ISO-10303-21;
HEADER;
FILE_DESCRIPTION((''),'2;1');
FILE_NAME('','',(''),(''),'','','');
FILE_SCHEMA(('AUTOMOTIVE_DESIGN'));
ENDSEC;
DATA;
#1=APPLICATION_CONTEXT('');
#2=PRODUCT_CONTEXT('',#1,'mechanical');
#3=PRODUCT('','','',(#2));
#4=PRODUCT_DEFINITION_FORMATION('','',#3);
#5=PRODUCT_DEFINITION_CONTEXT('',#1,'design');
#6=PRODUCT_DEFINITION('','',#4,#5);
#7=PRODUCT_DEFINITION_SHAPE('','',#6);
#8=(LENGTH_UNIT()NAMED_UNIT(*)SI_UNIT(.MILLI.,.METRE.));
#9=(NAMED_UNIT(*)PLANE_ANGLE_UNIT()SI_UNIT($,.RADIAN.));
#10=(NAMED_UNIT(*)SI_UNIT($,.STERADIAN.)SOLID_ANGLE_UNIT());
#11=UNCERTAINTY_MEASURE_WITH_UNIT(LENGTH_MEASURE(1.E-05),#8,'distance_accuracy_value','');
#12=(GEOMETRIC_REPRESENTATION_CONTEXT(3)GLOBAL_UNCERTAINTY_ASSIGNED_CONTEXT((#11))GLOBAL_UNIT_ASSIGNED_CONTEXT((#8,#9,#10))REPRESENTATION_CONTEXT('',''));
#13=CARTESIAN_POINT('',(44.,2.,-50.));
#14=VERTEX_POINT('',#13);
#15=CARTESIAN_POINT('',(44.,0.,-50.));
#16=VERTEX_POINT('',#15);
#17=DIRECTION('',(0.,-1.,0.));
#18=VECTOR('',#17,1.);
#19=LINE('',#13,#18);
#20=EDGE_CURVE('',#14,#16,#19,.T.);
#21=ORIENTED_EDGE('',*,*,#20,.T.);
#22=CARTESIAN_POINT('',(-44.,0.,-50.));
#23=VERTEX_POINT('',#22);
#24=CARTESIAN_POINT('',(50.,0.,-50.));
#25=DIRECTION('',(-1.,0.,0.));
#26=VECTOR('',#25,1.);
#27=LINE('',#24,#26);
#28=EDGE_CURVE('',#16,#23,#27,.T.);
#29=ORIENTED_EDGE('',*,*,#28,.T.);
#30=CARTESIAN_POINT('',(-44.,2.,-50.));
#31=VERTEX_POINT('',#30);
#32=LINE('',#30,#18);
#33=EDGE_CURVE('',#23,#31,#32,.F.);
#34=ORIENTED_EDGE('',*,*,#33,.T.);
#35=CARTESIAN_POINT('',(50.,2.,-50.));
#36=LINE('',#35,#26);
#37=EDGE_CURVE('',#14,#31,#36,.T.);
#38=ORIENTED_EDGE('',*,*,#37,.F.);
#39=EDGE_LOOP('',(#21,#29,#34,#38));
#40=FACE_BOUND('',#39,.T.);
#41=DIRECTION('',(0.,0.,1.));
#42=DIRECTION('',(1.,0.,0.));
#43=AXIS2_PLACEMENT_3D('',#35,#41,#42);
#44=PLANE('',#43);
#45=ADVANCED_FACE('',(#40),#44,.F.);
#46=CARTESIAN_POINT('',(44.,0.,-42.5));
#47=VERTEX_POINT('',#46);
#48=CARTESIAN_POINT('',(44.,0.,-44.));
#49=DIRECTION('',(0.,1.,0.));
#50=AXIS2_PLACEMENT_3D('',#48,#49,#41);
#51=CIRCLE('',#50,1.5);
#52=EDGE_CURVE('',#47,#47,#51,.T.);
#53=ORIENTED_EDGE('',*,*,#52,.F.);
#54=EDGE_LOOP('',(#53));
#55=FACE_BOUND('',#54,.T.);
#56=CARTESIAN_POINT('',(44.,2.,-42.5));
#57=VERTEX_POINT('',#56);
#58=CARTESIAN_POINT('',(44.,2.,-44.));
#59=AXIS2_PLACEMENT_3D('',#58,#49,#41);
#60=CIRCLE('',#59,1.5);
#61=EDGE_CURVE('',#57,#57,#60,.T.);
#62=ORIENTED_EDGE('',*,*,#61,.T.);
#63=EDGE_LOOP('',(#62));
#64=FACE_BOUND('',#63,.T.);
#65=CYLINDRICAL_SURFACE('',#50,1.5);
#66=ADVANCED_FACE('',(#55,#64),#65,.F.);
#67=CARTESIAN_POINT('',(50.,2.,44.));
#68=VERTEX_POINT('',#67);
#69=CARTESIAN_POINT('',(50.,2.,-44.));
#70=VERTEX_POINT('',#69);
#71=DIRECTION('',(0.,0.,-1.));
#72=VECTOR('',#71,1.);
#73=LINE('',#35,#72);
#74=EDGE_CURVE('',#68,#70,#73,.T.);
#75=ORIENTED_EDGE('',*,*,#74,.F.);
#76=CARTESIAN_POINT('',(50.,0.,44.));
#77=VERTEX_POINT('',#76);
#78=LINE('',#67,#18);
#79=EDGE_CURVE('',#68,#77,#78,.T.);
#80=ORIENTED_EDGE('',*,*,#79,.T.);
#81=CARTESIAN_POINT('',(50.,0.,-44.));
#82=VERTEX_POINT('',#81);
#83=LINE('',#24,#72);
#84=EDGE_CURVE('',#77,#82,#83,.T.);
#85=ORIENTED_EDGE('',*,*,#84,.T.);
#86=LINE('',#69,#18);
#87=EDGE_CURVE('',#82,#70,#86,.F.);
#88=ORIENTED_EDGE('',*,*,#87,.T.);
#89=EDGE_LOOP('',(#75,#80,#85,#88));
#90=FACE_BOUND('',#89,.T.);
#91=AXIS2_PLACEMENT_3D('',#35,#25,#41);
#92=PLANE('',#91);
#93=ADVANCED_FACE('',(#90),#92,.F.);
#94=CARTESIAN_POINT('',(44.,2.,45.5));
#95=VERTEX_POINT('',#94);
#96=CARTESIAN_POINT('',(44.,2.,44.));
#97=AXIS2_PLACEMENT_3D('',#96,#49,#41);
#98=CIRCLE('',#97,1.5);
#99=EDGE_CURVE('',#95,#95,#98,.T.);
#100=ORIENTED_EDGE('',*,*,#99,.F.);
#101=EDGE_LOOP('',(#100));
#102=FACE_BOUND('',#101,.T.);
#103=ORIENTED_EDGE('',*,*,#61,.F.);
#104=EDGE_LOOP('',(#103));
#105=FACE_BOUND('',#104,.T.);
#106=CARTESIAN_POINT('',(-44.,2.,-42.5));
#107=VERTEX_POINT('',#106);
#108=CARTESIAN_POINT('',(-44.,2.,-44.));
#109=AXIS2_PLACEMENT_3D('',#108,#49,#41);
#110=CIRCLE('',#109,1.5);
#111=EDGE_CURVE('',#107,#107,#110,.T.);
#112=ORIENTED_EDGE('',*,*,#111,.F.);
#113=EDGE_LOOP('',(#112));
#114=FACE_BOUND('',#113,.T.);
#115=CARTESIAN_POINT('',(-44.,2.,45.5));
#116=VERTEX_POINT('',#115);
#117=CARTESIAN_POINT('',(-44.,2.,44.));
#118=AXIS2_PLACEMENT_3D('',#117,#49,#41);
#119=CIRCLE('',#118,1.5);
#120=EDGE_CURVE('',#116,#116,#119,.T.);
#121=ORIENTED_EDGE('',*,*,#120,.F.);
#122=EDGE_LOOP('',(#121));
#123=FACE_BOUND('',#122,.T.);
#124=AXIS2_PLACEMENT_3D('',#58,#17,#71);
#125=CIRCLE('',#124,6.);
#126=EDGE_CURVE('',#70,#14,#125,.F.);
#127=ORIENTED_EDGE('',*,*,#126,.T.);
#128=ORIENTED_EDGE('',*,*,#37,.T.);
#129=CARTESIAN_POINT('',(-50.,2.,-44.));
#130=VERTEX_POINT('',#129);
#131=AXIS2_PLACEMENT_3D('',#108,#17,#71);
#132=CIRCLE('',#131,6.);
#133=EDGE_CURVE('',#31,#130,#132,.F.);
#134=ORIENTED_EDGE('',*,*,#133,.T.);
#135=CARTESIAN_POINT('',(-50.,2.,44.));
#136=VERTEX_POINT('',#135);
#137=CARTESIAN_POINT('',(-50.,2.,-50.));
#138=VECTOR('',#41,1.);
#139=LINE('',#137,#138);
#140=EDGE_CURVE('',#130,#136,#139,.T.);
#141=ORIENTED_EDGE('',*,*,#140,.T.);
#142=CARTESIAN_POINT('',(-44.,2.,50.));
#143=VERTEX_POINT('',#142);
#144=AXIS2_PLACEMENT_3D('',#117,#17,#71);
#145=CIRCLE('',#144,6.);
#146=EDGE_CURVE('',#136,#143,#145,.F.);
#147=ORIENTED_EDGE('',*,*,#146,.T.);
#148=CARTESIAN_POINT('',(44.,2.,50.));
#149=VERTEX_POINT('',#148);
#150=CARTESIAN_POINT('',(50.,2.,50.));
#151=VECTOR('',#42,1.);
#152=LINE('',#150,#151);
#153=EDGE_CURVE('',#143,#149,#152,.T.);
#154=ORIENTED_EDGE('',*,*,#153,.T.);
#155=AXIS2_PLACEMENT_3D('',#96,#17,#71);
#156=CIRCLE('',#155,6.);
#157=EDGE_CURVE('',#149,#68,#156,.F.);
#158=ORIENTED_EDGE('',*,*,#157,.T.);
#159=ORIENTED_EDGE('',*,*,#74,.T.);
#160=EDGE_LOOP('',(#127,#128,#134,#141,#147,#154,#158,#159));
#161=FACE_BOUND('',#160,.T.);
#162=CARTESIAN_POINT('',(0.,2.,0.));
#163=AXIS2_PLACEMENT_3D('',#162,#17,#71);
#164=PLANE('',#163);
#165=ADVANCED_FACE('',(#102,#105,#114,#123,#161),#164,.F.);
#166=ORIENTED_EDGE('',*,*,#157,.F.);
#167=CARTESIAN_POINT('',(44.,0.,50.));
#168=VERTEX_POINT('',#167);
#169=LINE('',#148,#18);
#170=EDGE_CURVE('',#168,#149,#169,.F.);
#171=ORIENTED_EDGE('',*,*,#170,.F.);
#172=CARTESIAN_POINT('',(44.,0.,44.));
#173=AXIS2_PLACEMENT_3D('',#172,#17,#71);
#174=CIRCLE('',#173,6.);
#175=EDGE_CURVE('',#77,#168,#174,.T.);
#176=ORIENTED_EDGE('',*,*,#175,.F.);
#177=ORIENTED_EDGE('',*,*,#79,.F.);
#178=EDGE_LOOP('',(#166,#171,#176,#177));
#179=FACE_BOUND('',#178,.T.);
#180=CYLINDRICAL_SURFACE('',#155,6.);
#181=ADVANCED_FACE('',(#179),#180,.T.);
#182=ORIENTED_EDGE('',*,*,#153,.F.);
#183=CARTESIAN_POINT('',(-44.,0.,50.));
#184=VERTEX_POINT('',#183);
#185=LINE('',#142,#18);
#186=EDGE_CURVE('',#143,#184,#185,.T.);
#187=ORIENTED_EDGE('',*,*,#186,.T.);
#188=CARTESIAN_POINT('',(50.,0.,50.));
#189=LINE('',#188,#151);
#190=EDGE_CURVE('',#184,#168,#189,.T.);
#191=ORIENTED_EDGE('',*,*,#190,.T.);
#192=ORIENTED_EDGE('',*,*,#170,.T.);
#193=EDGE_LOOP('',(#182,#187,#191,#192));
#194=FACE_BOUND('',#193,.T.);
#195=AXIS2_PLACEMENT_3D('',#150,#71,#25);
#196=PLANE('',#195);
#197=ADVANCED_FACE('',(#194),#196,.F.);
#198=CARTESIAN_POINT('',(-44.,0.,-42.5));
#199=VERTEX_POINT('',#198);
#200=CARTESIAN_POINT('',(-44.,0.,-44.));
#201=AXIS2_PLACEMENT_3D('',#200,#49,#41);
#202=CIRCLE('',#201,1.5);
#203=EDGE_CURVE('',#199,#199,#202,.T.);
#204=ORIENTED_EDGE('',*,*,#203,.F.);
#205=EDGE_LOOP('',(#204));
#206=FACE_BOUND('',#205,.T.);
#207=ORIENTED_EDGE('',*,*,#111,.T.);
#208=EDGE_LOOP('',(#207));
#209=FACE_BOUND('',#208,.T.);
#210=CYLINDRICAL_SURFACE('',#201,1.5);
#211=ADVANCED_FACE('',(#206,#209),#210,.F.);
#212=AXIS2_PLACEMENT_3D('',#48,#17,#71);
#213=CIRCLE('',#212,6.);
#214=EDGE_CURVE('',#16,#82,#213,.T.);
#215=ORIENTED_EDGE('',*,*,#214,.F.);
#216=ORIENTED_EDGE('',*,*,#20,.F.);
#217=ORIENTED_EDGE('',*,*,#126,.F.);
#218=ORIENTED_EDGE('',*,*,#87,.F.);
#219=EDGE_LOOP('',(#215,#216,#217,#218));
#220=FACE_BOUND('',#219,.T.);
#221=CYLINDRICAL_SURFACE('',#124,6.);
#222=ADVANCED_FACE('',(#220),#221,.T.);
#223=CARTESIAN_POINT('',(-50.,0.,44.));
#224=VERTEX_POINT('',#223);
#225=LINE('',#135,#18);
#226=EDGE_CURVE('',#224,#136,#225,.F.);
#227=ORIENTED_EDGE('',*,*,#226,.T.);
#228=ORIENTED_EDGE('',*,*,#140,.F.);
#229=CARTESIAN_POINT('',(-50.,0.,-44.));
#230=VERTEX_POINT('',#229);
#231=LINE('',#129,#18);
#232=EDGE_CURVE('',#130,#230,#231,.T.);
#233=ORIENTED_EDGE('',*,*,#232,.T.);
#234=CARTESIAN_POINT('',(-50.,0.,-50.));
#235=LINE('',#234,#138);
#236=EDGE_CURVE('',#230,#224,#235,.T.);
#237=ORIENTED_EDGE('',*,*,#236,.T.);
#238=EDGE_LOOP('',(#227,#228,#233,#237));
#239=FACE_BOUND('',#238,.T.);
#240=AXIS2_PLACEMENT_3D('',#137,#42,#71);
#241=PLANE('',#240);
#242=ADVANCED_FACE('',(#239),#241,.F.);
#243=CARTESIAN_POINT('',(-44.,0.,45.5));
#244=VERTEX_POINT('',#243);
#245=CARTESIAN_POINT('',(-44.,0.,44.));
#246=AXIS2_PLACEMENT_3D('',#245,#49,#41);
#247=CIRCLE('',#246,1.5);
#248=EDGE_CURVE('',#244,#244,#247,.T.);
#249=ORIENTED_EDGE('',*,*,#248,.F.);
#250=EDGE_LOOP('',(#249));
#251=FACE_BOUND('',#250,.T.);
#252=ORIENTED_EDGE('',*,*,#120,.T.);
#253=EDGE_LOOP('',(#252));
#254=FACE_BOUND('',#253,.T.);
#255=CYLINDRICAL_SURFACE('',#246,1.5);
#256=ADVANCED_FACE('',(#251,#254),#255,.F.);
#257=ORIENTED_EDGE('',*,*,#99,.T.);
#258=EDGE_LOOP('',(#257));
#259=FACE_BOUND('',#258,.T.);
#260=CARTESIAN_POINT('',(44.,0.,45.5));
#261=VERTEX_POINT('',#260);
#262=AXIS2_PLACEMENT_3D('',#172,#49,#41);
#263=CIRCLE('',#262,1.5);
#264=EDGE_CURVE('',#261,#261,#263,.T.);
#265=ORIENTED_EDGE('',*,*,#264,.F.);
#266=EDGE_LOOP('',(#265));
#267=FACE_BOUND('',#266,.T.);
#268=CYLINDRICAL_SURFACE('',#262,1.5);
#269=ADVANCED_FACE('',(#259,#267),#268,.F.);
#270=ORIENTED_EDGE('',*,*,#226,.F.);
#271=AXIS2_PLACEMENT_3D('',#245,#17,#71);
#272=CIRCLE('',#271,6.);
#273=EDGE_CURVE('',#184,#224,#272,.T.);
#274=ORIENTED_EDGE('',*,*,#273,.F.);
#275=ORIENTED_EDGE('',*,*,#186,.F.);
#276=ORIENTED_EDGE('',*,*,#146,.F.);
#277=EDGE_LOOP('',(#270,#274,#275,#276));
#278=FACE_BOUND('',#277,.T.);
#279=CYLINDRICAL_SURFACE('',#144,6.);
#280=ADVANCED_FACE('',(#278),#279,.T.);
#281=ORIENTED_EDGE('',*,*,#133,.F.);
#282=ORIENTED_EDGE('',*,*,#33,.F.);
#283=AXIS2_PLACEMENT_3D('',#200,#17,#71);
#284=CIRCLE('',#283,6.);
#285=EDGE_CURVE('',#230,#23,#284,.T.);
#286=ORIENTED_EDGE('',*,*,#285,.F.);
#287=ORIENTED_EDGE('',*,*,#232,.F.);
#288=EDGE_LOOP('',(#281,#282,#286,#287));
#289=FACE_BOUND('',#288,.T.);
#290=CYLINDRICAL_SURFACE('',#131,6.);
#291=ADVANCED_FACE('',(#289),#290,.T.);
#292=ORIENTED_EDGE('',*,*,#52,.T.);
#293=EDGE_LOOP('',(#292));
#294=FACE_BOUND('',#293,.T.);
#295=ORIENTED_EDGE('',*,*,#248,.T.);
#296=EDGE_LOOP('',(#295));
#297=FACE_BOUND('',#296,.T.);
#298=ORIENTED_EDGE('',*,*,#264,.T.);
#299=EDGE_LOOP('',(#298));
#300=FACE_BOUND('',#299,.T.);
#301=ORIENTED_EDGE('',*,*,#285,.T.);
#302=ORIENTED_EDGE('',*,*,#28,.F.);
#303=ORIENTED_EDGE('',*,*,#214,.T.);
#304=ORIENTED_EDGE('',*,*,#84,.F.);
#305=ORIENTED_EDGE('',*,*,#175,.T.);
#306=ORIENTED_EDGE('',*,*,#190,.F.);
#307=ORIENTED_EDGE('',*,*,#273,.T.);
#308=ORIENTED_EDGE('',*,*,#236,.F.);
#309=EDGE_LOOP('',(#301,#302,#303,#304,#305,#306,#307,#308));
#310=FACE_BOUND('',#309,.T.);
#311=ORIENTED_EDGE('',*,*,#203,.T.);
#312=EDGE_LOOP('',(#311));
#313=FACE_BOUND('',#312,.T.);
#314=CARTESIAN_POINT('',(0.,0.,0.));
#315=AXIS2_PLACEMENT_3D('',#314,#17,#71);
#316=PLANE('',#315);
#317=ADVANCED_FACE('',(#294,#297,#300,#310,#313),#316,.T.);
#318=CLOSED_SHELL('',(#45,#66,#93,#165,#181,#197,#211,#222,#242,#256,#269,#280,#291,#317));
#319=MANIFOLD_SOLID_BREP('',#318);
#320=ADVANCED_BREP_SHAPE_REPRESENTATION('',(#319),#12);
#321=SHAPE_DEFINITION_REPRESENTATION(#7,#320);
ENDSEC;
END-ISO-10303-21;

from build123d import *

# Parameters (mm, degrees)
SKETCH1_W           = 100
SKETCH1_H           = 100
BOSS_EXTRUDE1_DEPTH = 2
FILLET1_R           = 6
SKETCH2_R           = 1.5
CUT_EXTRUDE1_DEPTH  = 71.738956735


with BuildPart() as part:
    # Sketch1 → Boss-Extrude1 (new body)
    with BuildSketch(Plane(origin=(0, 0, 0), x_dir=(1, 0, 0), z_dir=(0, 1, 0))):
        Rectangle(SKETCH1_W, SKETCH1_H)
    extrude(amount=BOSS_EXTRUDE1_DEPTH)

    # Fillet1
    fillet1_edges = [part.edges().sort_by_distance(p)[0] for p in [
        (-50, 1, -50),
        (50, 1, -50),
        (50, 1, 50),
        (-50, 1, 50),
    ]]
    fillet(fillet1_edges, radius=FILLET1_R)

    # Sketch2 → Cut-Extrude1 (cut, through all)
    with BuildSketch(Plane(origin=(0, 2, 0), x_dir=(1, 0, 0), z_dir=(0, 1, 0))):
        with Locations(Location((-44, -44, 0), (0, 0, 270))):
            Circle(SKETCH2_R)
        with Locations(Location((-44, 44, 0), (0, 0, 270))):
            Circle(SKETCH2_R)
        with Locations(Location((44, 44, 0), (0, 0, 270))):
            Circle(SKETCH2_R)
        with Locations(Location((44, -44, 0), (0, 0, 270))):
            Circle(SKETCH2_R)
    extrude(amount=-CUT_EXTRUDE1_DEPTH, mode=Mode.SUBTRACT)


solid = part.part
